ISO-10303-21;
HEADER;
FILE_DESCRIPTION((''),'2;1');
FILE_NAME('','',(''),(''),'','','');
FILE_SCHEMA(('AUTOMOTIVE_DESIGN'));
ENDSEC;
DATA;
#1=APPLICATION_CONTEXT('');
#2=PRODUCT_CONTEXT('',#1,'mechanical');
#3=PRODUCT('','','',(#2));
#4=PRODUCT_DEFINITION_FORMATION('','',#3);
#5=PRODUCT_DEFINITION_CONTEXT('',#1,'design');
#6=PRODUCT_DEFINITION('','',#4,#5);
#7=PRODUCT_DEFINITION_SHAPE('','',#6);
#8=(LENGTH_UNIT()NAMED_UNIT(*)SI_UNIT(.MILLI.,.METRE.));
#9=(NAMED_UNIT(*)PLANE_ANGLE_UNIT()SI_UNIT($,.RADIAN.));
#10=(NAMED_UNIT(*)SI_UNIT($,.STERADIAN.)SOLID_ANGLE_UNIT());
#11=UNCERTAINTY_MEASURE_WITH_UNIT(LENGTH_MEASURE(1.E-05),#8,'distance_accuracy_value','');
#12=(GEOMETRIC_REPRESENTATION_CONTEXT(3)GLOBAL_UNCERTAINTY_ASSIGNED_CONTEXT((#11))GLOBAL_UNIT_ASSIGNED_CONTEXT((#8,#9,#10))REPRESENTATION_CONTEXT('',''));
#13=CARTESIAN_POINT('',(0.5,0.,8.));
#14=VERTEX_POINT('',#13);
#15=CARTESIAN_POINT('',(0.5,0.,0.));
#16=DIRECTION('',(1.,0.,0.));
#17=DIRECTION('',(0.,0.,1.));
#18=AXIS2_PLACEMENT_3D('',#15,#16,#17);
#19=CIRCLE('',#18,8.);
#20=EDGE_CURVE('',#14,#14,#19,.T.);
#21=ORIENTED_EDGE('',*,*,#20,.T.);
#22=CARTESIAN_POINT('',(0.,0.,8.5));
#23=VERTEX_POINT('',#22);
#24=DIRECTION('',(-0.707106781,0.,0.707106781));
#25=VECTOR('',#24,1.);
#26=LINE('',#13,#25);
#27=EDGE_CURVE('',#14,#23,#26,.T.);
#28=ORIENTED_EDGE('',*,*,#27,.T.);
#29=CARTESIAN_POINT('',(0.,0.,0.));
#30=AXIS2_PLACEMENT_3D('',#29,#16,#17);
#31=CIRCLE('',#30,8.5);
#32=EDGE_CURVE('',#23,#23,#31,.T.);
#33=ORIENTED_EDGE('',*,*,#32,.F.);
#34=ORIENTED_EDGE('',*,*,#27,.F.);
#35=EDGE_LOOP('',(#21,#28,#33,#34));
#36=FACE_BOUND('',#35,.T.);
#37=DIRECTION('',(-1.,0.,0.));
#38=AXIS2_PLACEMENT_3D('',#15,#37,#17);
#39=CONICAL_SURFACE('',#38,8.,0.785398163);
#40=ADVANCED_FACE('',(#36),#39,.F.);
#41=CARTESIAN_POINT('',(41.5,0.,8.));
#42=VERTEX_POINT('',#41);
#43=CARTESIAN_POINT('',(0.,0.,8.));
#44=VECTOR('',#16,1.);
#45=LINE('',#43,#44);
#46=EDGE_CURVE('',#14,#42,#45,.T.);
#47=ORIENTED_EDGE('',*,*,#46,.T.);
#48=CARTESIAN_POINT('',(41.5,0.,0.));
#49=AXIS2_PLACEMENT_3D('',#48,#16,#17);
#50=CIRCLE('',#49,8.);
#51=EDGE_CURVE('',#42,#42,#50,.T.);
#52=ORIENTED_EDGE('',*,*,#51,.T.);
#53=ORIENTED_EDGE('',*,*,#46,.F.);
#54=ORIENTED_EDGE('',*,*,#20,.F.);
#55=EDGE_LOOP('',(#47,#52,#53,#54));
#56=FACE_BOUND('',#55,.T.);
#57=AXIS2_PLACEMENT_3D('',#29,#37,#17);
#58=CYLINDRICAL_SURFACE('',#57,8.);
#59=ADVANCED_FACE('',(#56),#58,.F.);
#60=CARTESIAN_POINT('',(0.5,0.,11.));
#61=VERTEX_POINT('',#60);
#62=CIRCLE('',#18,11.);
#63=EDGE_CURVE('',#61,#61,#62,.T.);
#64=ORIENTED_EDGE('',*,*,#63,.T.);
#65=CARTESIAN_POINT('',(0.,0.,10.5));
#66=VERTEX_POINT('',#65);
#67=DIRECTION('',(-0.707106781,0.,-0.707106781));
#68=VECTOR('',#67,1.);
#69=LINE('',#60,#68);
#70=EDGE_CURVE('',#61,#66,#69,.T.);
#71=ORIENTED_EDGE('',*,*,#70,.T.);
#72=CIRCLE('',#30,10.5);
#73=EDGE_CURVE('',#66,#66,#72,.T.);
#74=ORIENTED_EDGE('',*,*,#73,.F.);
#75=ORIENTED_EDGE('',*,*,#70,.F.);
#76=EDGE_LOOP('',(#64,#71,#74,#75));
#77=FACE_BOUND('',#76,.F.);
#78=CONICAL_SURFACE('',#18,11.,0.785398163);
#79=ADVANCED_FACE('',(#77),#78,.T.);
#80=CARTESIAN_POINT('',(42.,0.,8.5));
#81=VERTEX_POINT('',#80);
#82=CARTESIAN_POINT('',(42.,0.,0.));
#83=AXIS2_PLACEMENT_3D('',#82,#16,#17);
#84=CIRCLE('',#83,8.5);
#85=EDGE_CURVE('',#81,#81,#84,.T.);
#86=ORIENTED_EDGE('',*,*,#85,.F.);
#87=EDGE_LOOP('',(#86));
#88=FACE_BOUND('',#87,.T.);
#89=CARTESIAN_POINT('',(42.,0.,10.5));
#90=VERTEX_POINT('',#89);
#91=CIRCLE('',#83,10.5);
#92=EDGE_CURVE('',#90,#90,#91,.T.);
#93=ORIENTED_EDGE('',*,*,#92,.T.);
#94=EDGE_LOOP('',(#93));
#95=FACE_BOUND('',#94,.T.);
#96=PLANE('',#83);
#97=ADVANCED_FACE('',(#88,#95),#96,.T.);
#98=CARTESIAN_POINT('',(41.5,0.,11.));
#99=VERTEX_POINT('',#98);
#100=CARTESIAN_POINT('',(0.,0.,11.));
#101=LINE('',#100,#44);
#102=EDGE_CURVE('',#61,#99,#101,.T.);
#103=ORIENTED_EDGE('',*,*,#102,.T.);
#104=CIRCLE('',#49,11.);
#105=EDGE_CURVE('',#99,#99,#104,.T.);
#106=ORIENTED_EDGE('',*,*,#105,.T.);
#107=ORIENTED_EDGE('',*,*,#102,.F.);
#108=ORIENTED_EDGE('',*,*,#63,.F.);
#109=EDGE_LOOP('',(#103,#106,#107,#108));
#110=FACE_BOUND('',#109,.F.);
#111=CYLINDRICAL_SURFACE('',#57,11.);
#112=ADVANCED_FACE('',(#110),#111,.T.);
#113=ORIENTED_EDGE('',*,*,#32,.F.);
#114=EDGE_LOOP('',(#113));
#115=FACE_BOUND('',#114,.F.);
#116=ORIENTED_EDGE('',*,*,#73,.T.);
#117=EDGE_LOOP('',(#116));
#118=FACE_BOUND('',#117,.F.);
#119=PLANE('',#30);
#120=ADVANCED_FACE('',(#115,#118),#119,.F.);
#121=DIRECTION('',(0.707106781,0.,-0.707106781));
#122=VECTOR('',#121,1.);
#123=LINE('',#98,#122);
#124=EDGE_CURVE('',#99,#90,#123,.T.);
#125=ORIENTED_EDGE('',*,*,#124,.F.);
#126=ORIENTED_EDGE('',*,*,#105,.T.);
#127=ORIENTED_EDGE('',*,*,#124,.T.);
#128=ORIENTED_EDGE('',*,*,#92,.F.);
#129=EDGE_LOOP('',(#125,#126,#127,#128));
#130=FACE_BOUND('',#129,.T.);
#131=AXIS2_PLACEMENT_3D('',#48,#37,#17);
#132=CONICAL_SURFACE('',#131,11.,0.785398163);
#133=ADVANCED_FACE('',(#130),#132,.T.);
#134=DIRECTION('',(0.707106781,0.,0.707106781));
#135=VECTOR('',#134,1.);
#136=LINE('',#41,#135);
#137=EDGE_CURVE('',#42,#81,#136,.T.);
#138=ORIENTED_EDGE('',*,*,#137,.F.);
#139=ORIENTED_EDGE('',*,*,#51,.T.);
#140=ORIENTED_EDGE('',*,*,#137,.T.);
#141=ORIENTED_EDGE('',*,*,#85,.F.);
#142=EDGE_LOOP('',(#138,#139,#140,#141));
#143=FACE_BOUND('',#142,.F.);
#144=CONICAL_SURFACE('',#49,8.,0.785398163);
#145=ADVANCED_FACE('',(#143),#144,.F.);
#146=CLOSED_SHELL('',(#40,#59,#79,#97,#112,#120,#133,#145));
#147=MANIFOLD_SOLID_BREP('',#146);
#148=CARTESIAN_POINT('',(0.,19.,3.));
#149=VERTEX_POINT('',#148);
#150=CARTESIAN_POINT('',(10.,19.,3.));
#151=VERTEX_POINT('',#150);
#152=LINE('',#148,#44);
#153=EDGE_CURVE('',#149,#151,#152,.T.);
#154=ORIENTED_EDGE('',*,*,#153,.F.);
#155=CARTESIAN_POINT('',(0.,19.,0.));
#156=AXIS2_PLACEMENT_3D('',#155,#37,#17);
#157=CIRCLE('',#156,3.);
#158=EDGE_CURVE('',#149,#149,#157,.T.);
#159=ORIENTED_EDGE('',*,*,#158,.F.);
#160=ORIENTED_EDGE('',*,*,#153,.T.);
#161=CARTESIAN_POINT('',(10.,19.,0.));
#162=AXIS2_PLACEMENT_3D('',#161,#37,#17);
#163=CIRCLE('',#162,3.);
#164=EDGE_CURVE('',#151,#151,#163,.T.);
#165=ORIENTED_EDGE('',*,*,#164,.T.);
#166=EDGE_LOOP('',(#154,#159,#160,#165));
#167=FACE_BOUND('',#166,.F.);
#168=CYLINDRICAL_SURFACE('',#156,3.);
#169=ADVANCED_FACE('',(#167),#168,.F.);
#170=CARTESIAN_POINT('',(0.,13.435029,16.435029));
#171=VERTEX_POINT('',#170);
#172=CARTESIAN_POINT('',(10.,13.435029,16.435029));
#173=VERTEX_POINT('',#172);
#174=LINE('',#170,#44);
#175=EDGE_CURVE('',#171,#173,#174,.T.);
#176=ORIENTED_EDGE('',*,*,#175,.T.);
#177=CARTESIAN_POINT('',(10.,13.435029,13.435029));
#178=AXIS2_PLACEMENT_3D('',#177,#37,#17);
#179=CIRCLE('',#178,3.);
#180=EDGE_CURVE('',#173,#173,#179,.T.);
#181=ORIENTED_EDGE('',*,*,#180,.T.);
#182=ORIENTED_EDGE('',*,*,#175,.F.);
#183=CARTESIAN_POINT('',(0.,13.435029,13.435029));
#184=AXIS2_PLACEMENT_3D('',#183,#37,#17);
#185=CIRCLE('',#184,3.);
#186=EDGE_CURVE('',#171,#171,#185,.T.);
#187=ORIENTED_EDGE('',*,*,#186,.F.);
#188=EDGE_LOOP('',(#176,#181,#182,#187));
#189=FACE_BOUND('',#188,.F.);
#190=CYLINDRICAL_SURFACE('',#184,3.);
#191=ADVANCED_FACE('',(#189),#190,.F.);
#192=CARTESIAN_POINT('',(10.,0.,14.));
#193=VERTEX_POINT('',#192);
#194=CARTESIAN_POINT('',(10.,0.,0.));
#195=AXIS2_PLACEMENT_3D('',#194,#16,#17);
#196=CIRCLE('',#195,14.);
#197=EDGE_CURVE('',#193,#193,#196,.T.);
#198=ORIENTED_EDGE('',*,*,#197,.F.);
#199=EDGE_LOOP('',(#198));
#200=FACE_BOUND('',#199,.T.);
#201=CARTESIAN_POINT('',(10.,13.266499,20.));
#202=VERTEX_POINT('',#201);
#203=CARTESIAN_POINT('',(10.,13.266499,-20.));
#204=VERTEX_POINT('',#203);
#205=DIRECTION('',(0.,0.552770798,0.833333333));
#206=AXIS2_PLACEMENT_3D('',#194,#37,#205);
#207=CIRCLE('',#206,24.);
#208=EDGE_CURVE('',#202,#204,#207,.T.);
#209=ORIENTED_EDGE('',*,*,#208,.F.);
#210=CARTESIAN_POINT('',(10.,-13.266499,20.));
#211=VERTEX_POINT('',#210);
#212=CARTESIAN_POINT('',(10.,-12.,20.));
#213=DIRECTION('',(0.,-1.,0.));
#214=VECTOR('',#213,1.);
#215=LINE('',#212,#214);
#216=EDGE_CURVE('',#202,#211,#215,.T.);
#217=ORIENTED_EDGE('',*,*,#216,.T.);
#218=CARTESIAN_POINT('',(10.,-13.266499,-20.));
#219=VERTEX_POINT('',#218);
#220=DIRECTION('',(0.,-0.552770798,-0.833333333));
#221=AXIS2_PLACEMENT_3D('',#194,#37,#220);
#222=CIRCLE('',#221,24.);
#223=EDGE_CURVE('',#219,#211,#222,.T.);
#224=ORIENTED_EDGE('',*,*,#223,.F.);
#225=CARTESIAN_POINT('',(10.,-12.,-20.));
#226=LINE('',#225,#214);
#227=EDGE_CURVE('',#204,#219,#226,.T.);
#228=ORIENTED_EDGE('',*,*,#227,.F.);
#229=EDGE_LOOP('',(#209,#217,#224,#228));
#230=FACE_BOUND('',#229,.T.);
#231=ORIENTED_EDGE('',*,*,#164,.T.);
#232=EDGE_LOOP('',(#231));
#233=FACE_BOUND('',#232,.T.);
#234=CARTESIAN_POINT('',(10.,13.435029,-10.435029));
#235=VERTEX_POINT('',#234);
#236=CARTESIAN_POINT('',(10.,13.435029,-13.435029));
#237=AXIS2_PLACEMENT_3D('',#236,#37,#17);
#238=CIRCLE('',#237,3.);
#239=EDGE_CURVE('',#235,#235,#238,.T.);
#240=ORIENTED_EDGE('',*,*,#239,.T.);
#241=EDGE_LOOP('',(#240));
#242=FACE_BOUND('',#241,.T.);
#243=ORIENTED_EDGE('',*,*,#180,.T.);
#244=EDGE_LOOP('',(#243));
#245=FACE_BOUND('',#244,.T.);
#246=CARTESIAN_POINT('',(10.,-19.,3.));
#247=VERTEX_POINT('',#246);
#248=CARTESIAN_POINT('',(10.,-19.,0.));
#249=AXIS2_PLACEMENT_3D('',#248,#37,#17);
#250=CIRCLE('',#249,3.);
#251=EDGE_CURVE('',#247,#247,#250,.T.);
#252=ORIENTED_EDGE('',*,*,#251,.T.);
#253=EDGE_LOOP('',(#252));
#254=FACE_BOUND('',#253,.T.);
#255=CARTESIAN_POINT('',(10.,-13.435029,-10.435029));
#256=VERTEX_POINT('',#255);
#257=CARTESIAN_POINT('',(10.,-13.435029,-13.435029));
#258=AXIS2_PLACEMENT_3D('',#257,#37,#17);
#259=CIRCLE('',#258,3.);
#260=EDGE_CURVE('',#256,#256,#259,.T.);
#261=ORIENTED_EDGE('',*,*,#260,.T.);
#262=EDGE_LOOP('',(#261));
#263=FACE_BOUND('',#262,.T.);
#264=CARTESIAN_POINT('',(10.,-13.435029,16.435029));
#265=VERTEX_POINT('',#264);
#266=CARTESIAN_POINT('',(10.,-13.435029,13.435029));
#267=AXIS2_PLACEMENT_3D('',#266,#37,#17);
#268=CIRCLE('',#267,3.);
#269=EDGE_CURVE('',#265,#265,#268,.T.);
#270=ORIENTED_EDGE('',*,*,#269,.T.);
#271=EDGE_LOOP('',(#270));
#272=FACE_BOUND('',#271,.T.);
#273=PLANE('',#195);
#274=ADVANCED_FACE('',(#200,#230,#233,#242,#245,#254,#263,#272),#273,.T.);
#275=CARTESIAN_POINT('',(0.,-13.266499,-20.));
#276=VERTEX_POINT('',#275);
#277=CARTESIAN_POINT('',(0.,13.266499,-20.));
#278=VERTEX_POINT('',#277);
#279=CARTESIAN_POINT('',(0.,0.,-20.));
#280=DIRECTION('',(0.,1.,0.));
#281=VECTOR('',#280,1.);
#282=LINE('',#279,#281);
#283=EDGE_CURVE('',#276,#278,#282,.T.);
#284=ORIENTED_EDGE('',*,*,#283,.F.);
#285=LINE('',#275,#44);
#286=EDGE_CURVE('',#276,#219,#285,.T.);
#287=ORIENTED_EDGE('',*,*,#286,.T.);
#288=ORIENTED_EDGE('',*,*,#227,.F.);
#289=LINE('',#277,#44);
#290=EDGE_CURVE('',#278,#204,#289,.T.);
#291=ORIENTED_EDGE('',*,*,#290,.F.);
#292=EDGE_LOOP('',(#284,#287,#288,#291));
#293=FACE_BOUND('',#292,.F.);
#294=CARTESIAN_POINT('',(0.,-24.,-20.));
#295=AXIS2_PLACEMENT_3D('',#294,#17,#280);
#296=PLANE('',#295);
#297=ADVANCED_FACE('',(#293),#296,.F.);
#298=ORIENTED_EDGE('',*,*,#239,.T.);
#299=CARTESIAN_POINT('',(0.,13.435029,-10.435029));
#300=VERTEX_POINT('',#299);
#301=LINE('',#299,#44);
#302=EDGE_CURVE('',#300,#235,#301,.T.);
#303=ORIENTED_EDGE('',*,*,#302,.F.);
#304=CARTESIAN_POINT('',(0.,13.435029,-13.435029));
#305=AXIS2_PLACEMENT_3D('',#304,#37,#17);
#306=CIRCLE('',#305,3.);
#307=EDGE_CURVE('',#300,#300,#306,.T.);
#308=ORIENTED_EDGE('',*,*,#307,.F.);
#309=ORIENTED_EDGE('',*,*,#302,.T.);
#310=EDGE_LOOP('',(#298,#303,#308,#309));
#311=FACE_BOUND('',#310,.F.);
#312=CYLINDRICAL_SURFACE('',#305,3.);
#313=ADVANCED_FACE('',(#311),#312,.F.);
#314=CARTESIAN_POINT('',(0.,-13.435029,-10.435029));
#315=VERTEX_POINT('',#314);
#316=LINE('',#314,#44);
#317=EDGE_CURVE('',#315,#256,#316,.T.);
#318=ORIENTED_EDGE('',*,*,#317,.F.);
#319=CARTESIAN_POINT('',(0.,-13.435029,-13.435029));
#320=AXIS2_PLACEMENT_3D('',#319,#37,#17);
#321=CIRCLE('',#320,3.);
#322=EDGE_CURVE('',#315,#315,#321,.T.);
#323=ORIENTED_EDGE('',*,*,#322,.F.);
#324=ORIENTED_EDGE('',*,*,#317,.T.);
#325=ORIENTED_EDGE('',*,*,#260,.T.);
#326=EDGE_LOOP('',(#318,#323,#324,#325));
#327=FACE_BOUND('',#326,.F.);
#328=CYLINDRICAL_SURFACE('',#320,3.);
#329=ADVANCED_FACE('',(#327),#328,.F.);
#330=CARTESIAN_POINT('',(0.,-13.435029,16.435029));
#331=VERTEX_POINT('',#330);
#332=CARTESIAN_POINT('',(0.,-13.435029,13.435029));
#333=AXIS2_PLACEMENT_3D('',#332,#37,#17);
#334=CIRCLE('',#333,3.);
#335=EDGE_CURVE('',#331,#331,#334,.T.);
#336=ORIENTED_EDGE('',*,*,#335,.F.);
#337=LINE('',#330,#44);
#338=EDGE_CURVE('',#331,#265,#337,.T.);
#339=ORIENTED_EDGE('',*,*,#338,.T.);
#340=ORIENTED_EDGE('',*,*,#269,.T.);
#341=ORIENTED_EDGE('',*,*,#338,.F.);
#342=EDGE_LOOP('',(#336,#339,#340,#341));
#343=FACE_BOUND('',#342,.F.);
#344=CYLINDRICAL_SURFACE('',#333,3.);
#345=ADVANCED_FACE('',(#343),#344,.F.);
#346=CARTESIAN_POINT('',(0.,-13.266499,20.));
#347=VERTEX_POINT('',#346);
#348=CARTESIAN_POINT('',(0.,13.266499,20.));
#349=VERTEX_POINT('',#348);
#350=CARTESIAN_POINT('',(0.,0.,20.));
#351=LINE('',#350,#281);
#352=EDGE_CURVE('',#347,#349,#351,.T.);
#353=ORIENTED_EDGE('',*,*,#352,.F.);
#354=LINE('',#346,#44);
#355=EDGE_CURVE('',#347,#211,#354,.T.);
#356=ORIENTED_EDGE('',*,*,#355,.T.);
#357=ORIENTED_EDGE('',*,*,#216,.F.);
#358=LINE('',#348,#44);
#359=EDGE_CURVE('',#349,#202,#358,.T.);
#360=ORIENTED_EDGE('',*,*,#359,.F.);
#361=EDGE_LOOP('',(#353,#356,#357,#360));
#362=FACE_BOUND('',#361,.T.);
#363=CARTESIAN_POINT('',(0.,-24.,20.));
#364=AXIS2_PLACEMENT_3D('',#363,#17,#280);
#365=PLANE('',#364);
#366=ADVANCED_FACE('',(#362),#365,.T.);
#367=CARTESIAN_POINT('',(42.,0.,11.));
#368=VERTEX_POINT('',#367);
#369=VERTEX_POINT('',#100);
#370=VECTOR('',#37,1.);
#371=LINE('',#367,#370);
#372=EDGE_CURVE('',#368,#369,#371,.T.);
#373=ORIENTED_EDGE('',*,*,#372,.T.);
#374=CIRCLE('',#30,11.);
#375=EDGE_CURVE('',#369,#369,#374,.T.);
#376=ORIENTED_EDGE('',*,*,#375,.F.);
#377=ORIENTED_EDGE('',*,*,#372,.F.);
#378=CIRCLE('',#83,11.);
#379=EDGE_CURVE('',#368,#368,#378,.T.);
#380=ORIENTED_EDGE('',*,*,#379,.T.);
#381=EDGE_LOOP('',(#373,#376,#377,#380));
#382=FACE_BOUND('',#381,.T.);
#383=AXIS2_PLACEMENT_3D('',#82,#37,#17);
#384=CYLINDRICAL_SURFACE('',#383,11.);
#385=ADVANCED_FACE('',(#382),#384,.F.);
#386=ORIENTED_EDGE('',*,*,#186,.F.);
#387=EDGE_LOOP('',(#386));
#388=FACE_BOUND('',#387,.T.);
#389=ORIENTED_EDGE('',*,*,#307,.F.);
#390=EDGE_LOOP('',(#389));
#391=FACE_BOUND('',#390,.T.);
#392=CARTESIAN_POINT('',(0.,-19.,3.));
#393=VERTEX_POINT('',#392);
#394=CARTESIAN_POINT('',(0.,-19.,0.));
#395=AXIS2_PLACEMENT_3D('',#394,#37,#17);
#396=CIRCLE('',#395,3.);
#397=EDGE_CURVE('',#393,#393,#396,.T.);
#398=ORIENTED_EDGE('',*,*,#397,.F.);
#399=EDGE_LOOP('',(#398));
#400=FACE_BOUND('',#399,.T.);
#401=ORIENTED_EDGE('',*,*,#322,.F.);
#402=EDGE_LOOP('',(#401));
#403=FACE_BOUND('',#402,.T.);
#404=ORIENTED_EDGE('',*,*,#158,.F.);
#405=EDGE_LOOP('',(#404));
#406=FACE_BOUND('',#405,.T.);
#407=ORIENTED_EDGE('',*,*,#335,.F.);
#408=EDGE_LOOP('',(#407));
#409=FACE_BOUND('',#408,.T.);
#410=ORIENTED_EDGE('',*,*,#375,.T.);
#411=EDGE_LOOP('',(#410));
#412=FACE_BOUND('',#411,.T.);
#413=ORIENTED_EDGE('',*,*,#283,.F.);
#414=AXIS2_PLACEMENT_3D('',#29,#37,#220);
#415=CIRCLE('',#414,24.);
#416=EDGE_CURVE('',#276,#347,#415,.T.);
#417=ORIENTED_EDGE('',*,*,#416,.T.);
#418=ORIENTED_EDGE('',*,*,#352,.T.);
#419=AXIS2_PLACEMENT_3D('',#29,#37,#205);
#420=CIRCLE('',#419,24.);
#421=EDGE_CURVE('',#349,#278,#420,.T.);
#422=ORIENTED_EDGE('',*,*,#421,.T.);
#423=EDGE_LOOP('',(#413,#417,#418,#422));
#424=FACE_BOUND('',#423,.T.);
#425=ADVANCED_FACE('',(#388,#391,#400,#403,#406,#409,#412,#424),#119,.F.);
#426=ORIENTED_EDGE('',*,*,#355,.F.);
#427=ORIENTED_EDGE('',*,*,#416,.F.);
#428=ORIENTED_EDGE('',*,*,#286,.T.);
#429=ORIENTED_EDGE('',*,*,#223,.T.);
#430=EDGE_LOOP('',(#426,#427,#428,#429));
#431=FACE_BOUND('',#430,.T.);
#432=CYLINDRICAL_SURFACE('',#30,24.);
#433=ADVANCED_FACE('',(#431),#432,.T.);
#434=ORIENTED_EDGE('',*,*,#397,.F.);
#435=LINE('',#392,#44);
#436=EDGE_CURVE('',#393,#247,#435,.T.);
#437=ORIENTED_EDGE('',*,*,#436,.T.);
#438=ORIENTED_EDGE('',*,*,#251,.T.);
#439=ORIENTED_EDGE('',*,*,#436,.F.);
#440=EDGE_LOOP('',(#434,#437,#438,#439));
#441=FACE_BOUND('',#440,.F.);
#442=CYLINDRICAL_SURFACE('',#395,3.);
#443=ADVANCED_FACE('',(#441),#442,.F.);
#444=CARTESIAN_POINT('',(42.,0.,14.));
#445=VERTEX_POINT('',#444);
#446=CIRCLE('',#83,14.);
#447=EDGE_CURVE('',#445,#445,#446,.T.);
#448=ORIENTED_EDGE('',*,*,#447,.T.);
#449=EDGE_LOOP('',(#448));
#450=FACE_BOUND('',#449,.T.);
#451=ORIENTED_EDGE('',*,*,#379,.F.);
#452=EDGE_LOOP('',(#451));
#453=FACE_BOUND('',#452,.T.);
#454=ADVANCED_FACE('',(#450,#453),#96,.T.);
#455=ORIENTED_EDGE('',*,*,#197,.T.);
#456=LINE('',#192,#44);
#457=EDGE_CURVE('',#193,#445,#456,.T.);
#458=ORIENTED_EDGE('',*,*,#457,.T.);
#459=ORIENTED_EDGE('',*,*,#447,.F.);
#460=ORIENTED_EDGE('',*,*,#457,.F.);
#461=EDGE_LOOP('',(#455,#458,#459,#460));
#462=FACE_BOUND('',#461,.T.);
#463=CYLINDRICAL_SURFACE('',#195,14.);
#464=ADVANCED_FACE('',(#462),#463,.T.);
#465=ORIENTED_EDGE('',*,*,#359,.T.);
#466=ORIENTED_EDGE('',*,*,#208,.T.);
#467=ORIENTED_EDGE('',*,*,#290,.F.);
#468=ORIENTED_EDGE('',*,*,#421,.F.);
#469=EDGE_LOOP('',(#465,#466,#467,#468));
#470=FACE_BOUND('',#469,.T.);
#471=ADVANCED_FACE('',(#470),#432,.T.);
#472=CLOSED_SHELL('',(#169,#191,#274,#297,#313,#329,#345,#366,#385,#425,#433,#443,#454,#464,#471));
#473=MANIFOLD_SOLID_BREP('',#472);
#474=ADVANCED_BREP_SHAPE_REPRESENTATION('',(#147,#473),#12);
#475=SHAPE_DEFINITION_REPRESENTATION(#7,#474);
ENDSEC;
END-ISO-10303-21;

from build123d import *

# Parameters (mm, degrees)
SKETCH_2_W          = 60
SKETCH_2_H          = 68
SKETCH_2_W_2        = 40
SKETCH_2_H_2        = 48
CUT_EXTRUDE_1_DEPTH = 55
SKETCH_3_R          = 3
CUT_EXTRUDE_2_DEPTH = 53.345009313
SKETCH_4_R          = 11
SKETCH_4_R_2        = 8
EXTRUDE_1_DEPTH     = 42
CHAMFER_1_SIZE      = 0.5


with BuildPart() as part:
    # Эскиз1 → Повернуть1 (revolve)
    with BuildSketch(Plane.XY, mode=Mode.PRIVATE) as revolve_1_sk:
        Polygon((0, 11), (0, 24), (10, 24), (10, 14), (42, 14), (42, 11), align=None)
    revolve(revolve_1_sk.sketch.rotate(Axis((0, 0, 0), (1, 0, 0)), 90), axis=Axis((0, 0, 0), (1, 0, 0)))

    # Эскиз2 → Вырез-Вытянуть1 (cut, through all)
    with BuildSketch(Plane.ZY):
        Rectangle(SKETCH_2_W, SKETCH_2_H)
        Rectangle(SKETCH_2_W_2, SKETCH_2_H_2, mode=Mode.SUBTRACT)
    extrude(amount=-CUT_EXTRUDE_1_DEPTH, mode=Mode.SUBTRACT)

    # Эскиз3 → Вырез-Вытянуть2 (cut, through all)
    with BuildSketch(Plane.ZY):
        with Locations((0, 19)):
            Circle(SKETCH_3_R)
        with Locations((13.435028843, 13.435028843)):
            Circle(SKETCH_3_R)
        with Locations((-13.435028843, 13.435028843)):
            Circle(SKETCH_3_R)
        with Locations((-13.435028843, -13.435028843)):
            Circle(SKETCH_3_R)
        with Locations((0, -19)):
            Circle(SKETCH_3_R)
        with Locations((13.435028843, -13.435028843)):
            Circle(SKETCH_3_R)
    extrude(amount=-CUT_EXTRUDE_2_DEPTH, mode=Mode.SUBTRACT)


with BuildPart() as body_2:
    # Эскиз4 → Бобышка-Вытянуть1 (new body)
    with BuildSketch(Plane(origin=(0, 0, 0), x_dir=(0, 0, -1), z_dir=(1, 0, 0))):
        with Locations(Location((0, 0, 0), (0, 0, 180))):
            Circle(SKETCH_4_R)
        with Locations(Location((0, 0, 0), (0, 0, 180))):
            Circle(SKETCH_4_R_2, mode=Mode.SUBTRACT)
    extrude(amount=EXTRUDE_1_DEPTH)

    # Фаска1
    chamfer_1_edges = [body_2.edges().sort_by_distance(p)[0] for p in [
        (0, 0, -8),
        (0, 0, -11),
        (42, 0, -11),
        (42, 0, -8),
    ]]
    chamfer(chamfer_1_edges, length=CHAMFER_1_SIZE)


solid = Compound([part.part, body_2.part])
